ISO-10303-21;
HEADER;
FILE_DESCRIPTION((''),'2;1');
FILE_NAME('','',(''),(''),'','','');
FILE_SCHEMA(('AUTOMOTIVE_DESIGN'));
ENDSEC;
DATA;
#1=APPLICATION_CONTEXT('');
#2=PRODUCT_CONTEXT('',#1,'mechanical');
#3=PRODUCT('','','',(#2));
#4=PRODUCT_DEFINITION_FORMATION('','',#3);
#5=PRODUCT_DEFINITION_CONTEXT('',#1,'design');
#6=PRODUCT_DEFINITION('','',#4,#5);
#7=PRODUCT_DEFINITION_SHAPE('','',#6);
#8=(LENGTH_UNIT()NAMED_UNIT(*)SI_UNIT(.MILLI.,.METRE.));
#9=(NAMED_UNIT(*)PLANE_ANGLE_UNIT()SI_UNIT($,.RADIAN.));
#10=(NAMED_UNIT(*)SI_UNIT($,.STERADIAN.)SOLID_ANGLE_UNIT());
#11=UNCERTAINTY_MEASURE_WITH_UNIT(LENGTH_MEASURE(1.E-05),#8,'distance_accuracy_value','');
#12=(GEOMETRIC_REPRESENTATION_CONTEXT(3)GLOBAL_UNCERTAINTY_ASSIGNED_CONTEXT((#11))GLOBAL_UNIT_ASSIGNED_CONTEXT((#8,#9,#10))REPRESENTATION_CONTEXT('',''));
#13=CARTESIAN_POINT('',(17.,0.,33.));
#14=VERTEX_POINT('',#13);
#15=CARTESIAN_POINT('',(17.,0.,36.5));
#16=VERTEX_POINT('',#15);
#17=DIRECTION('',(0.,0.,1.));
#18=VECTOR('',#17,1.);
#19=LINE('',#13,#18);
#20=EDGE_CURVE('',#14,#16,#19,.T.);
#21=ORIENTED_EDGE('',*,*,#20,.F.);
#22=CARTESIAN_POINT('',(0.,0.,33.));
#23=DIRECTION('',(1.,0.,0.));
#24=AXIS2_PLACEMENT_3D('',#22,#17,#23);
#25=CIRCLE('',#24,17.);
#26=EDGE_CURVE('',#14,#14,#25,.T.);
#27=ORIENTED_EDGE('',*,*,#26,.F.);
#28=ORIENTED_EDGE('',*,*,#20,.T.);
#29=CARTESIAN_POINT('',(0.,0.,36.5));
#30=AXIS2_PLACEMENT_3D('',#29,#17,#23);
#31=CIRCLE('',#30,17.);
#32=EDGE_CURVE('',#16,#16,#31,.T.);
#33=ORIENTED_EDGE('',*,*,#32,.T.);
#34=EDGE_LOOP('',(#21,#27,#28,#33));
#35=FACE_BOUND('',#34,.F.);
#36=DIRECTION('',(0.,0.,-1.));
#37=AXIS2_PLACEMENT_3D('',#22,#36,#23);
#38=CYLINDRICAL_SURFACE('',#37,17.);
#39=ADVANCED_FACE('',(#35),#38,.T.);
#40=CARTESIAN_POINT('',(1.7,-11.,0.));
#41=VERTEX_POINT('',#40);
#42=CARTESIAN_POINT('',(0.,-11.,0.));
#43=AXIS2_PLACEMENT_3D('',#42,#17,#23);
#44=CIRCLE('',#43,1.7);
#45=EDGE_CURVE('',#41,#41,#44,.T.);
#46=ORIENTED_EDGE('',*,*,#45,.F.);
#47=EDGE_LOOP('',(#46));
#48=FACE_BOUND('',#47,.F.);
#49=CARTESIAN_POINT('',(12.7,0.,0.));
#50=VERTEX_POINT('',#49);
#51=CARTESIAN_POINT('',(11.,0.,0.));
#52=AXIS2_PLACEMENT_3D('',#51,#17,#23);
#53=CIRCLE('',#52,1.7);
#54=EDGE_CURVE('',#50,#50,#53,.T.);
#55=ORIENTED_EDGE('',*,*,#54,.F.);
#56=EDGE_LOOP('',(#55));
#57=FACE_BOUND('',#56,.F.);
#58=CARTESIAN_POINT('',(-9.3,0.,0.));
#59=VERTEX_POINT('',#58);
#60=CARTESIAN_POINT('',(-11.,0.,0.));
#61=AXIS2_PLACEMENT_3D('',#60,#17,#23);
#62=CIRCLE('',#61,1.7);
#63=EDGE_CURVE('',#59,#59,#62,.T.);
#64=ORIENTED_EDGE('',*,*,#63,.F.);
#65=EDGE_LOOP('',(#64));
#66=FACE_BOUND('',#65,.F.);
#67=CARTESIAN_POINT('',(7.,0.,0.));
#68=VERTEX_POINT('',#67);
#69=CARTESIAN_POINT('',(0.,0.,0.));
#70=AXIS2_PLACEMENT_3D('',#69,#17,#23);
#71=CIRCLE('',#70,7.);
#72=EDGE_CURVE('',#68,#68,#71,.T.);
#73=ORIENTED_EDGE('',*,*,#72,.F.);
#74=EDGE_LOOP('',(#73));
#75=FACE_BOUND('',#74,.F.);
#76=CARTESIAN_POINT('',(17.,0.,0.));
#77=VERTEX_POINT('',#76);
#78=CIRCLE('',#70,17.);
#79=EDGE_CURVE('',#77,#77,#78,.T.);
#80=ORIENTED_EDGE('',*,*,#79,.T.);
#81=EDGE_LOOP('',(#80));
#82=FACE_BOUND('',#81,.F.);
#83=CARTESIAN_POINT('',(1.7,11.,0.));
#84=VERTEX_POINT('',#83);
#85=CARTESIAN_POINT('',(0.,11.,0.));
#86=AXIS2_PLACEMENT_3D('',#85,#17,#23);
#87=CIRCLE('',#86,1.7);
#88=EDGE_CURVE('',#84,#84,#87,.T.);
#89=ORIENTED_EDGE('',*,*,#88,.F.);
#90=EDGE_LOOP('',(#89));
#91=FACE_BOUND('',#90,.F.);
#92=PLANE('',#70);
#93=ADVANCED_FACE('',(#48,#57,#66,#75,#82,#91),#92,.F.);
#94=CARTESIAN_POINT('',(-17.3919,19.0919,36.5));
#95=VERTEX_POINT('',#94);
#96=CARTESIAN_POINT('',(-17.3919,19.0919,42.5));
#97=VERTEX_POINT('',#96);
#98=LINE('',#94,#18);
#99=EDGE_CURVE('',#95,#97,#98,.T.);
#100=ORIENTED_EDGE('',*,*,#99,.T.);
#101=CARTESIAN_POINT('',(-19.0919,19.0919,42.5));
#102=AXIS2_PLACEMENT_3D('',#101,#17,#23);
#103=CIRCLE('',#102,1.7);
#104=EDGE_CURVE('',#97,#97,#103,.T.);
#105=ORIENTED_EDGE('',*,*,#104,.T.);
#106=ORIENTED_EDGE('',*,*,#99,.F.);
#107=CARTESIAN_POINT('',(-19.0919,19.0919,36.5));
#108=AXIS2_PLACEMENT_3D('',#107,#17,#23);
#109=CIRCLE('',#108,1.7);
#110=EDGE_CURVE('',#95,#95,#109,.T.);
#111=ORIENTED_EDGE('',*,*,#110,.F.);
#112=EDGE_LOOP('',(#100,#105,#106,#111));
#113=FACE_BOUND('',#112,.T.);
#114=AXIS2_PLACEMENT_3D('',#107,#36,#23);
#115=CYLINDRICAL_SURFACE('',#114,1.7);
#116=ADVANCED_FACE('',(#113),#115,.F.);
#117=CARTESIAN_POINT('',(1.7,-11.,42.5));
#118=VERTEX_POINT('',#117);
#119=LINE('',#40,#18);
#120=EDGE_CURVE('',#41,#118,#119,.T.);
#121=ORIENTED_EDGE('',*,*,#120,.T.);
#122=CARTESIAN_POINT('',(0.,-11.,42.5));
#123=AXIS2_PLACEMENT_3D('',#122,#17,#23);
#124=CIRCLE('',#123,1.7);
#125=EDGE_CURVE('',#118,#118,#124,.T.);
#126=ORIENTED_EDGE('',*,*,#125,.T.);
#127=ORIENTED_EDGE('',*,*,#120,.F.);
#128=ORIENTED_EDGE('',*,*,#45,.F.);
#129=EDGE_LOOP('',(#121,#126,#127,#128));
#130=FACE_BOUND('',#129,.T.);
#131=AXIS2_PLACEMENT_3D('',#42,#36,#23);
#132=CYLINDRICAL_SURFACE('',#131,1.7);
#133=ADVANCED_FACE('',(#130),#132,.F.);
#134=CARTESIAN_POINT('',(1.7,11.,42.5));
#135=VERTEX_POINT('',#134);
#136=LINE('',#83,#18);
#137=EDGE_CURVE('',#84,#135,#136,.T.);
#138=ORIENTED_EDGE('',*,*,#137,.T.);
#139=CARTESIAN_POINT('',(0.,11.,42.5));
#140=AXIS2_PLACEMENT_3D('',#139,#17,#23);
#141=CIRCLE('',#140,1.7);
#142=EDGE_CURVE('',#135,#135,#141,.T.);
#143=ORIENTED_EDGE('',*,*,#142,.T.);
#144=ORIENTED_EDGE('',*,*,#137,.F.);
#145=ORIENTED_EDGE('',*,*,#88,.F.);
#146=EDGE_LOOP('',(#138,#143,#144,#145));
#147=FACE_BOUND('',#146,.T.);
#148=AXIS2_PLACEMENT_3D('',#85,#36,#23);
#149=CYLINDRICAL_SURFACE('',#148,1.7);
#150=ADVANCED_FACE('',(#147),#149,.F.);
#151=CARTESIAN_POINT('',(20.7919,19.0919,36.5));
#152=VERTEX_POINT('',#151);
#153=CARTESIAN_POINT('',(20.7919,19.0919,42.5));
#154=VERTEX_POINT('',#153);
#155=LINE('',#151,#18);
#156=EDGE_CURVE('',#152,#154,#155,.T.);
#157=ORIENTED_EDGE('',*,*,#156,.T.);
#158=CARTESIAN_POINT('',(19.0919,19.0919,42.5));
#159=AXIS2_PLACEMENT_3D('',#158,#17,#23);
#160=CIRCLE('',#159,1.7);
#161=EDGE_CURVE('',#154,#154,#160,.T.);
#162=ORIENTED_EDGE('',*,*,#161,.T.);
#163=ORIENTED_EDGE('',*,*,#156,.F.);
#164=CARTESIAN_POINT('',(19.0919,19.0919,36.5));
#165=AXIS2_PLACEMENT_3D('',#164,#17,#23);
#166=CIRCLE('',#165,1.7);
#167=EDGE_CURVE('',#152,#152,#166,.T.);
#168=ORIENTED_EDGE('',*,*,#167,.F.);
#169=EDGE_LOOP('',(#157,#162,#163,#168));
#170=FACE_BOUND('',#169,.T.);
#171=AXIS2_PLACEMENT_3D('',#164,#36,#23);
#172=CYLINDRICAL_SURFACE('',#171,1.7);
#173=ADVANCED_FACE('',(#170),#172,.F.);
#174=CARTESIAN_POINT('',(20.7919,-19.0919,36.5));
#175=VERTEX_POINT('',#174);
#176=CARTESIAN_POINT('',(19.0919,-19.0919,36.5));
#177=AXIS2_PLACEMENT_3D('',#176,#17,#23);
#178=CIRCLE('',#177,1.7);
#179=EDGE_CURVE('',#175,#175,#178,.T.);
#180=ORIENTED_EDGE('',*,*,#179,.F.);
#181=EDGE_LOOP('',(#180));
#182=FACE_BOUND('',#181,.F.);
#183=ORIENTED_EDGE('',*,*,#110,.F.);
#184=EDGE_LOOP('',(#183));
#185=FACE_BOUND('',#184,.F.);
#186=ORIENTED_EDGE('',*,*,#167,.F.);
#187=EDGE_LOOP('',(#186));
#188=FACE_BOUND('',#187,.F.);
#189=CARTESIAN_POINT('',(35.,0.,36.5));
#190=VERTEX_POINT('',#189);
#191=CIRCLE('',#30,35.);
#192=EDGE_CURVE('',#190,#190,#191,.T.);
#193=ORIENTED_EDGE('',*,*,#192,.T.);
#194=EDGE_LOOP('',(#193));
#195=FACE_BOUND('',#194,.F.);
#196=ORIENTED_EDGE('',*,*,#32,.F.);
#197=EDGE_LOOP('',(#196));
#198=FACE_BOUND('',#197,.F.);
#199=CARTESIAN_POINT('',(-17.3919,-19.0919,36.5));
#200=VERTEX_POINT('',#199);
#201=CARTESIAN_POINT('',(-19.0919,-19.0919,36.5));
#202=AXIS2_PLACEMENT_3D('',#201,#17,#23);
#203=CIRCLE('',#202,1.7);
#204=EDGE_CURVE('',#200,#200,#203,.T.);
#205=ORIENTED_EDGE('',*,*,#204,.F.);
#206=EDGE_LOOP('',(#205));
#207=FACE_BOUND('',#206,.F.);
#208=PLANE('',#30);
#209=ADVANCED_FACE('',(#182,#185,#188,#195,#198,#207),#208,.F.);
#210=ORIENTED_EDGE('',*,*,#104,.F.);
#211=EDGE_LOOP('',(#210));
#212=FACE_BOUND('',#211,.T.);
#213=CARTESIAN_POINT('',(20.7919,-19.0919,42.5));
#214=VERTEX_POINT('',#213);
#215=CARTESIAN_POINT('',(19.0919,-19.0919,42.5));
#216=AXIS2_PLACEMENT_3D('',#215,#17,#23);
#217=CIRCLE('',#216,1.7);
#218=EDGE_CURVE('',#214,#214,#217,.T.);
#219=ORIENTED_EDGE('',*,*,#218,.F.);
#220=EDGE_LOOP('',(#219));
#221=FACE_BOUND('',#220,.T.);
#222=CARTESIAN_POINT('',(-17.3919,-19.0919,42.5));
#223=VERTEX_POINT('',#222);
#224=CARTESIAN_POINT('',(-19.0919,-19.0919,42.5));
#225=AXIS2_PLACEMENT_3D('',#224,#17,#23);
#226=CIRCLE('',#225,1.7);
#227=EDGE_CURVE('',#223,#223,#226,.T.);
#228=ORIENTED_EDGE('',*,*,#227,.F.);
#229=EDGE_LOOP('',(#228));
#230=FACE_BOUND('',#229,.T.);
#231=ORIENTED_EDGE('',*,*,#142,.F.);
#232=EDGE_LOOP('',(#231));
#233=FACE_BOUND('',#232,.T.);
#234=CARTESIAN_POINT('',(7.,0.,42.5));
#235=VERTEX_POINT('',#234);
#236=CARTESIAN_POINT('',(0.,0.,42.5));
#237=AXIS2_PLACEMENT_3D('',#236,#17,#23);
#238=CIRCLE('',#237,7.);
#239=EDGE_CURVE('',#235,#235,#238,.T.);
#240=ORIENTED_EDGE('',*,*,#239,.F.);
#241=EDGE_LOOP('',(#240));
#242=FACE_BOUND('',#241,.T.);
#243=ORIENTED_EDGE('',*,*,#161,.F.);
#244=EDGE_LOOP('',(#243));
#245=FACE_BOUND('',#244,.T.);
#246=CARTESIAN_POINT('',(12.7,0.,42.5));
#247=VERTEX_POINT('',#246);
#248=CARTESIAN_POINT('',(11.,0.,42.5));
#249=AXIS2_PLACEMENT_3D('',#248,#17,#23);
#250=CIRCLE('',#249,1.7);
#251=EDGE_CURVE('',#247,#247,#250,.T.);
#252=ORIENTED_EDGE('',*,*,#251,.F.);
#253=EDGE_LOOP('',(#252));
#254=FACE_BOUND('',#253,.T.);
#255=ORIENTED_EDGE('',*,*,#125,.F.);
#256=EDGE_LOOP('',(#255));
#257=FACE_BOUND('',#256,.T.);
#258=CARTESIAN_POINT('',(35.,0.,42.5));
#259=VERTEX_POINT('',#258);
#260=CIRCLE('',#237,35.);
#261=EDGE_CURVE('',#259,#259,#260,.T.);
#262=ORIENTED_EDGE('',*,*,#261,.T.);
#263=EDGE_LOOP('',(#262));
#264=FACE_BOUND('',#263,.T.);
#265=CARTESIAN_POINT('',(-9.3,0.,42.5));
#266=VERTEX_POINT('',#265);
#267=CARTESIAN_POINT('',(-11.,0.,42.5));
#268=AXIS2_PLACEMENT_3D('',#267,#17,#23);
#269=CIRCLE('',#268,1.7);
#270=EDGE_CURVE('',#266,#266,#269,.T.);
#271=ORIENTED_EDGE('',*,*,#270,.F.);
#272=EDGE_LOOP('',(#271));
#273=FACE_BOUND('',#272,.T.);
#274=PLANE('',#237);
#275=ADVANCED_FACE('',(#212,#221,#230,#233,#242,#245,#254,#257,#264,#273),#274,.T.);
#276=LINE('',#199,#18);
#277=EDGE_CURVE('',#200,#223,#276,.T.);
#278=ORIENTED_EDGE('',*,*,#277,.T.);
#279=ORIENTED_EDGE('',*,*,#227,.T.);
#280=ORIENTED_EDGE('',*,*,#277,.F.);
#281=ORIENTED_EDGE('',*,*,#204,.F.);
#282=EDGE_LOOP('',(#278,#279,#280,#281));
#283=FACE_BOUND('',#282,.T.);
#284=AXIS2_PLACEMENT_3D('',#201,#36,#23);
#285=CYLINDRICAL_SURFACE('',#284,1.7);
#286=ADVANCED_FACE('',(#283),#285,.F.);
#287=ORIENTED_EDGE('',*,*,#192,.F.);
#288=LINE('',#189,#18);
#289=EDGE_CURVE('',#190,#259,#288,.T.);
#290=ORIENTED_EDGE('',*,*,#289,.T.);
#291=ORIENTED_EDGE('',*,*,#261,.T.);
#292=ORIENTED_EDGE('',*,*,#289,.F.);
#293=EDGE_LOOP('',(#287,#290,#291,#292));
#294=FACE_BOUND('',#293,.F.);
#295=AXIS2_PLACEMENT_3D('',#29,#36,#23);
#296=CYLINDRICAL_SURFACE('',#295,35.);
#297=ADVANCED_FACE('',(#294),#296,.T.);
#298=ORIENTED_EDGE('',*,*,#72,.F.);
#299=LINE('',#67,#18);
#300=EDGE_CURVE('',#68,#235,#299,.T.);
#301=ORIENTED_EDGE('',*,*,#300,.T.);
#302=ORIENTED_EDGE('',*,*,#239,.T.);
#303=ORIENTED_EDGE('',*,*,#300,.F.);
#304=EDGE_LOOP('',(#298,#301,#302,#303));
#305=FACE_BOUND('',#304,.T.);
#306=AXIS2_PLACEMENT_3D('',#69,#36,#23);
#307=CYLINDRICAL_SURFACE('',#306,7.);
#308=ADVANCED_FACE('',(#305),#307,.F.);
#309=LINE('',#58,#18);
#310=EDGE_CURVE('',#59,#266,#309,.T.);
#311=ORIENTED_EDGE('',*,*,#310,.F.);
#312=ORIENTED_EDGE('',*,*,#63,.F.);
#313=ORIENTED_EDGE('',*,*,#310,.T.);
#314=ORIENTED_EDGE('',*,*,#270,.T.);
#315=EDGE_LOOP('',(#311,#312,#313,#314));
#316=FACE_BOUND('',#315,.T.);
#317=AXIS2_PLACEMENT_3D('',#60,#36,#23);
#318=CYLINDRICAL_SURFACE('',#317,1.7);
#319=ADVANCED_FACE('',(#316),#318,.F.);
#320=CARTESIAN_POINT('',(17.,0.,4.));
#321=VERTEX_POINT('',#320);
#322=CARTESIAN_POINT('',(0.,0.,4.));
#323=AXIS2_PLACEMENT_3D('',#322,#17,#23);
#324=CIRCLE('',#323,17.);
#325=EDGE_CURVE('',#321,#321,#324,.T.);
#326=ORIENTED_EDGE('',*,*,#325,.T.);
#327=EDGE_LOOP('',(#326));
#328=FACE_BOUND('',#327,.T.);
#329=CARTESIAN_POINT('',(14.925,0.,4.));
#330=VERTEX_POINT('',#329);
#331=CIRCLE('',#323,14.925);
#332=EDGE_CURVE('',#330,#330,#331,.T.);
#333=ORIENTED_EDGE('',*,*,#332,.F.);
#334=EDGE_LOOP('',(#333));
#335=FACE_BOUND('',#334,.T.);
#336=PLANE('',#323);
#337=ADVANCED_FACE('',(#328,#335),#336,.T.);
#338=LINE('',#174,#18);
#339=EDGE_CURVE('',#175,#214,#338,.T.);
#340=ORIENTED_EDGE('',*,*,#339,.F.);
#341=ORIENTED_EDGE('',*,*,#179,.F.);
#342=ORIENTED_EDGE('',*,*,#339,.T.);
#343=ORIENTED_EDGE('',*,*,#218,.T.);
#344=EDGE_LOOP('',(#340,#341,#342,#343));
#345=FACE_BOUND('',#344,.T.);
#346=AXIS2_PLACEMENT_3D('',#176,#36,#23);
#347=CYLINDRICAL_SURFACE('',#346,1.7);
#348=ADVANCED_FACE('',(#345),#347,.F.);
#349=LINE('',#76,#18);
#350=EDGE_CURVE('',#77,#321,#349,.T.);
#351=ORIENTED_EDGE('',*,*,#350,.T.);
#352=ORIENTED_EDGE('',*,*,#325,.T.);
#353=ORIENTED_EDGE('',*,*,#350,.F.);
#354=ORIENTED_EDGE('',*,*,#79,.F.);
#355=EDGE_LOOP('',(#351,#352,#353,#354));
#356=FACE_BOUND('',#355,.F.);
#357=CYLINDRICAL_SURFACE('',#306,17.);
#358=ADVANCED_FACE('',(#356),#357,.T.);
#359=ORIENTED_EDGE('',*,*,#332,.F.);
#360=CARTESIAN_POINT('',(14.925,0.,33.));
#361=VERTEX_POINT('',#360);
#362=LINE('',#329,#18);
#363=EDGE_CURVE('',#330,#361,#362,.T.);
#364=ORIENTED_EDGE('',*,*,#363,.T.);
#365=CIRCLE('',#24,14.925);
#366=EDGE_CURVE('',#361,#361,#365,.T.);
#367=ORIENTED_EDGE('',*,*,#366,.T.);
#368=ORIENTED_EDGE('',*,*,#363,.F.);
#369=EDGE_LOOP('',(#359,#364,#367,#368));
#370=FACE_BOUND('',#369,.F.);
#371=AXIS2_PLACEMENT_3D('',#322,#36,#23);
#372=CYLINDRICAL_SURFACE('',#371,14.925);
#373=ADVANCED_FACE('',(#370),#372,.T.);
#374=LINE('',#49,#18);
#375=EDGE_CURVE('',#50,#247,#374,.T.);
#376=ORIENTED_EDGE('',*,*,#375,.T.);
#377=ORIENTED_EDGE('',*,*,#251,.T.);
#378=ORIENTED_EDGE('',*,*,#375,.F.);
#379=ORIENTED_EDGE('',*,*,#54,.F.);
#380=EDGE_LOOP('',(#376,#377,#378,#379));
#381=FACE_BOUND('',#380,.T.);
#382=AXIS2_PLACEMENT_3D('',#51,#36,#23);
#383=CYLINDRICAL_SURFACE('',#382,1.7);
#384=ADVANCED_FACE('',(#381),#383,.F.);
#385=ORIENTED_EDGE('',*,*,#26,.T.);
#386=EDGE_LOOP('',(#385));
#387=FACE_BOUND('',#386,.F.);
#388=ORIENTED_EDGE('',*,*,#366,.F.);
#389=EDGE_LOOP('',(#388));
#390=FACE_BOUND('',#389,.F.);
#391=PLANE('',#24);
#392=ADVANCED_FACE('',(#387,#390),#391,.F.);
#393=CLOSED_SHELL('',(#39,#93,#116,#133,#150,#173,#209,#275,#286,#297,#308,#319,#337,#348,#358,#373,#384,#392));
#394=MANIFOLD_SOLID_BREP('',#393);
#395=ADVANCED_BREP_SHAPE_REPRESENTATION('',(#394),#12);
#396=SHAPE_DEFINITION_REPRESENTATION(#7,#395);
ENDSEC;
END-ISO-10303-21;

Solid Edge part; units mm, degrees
sketch "Sketch1" plane through (0, 0, 0) normal (0, 0, 1) x (1, 0, 0)
  circle A0 centre (0, 0) radius 17
  circle A1 centre (0, 0) radius 7
  circle A2 centre (11, 0) radius 1.7
  circle A3 centre (0, 11) radius 1.7
  circle A4 centre (-11, 0) radius 1.7
  circle A5 centre (0, -11) radius 1.7
extrude "Protrusion1" add sketch "Sketch1" along normal blind 4
sketch "Sketch2" plane through (0, 0, 4) normal (0, 0, 1) x (1, 0, 0)
  circle A0 centre (0, 0) radius 14.925
  circle A1 centre (0, 0) radius 7
  circle A2 centre (11, 0) radius 1.7
  circle A3 centre (0, 11) radius 1.7
  circle A4 centre (-11, 0) radius 1.7
  circle A5 centre (0, -11) radius 1.7
extrude "ExtrudedProtrusion_2" add sketch "Sketch2" along normal blind 29
sketch "Sketch3" plane through (0, 0, 33) normal (0, 0, 1) x (1, 0, 0)
  circle A0 centre (0, 0) radius 17
  circle A1 centre (0, 0) radius 7
  circle A2 centre (11, 0) radius 1.7
  circle A3 centre (0, 11) radius 1.7
  circle A4 centre (-11, 0) radius 1.7
  circle A5 centre (0, -11) radius 1.7
extrude "ExtrudedProtrusion_3" add sketch "Sketch3" along normal blind 3.5
sketch "Sketch4" plane through (0, 0, 36.5) normal (0, 0, 1) x (1, 0, 0)
  circle A0 centre (0, 0) radius 35
  circle A1 centre (0, 0) radius 7
  circle A2 centre (11, 0) radius 1.7
  circle A3 centre (0, 11) radius 1.7
  circle A4 centre (-11, 0) radius 1.7
  circle A5 centre (0, -11) radius 1.7
  circle A6 centre (19.0919, 19.0919) radius 1.7
  circle A7 centre (-19.0919, 19.0919) radius 1.7
  circle A8 centre (-19.0919, -19.0919) radius 1.7
  circle A9 centre (19.0919, -19.0919) radius 1.7
extrude "ExtrudedProtrusion_4" add sketch "Sketch4" along normal blind 6
